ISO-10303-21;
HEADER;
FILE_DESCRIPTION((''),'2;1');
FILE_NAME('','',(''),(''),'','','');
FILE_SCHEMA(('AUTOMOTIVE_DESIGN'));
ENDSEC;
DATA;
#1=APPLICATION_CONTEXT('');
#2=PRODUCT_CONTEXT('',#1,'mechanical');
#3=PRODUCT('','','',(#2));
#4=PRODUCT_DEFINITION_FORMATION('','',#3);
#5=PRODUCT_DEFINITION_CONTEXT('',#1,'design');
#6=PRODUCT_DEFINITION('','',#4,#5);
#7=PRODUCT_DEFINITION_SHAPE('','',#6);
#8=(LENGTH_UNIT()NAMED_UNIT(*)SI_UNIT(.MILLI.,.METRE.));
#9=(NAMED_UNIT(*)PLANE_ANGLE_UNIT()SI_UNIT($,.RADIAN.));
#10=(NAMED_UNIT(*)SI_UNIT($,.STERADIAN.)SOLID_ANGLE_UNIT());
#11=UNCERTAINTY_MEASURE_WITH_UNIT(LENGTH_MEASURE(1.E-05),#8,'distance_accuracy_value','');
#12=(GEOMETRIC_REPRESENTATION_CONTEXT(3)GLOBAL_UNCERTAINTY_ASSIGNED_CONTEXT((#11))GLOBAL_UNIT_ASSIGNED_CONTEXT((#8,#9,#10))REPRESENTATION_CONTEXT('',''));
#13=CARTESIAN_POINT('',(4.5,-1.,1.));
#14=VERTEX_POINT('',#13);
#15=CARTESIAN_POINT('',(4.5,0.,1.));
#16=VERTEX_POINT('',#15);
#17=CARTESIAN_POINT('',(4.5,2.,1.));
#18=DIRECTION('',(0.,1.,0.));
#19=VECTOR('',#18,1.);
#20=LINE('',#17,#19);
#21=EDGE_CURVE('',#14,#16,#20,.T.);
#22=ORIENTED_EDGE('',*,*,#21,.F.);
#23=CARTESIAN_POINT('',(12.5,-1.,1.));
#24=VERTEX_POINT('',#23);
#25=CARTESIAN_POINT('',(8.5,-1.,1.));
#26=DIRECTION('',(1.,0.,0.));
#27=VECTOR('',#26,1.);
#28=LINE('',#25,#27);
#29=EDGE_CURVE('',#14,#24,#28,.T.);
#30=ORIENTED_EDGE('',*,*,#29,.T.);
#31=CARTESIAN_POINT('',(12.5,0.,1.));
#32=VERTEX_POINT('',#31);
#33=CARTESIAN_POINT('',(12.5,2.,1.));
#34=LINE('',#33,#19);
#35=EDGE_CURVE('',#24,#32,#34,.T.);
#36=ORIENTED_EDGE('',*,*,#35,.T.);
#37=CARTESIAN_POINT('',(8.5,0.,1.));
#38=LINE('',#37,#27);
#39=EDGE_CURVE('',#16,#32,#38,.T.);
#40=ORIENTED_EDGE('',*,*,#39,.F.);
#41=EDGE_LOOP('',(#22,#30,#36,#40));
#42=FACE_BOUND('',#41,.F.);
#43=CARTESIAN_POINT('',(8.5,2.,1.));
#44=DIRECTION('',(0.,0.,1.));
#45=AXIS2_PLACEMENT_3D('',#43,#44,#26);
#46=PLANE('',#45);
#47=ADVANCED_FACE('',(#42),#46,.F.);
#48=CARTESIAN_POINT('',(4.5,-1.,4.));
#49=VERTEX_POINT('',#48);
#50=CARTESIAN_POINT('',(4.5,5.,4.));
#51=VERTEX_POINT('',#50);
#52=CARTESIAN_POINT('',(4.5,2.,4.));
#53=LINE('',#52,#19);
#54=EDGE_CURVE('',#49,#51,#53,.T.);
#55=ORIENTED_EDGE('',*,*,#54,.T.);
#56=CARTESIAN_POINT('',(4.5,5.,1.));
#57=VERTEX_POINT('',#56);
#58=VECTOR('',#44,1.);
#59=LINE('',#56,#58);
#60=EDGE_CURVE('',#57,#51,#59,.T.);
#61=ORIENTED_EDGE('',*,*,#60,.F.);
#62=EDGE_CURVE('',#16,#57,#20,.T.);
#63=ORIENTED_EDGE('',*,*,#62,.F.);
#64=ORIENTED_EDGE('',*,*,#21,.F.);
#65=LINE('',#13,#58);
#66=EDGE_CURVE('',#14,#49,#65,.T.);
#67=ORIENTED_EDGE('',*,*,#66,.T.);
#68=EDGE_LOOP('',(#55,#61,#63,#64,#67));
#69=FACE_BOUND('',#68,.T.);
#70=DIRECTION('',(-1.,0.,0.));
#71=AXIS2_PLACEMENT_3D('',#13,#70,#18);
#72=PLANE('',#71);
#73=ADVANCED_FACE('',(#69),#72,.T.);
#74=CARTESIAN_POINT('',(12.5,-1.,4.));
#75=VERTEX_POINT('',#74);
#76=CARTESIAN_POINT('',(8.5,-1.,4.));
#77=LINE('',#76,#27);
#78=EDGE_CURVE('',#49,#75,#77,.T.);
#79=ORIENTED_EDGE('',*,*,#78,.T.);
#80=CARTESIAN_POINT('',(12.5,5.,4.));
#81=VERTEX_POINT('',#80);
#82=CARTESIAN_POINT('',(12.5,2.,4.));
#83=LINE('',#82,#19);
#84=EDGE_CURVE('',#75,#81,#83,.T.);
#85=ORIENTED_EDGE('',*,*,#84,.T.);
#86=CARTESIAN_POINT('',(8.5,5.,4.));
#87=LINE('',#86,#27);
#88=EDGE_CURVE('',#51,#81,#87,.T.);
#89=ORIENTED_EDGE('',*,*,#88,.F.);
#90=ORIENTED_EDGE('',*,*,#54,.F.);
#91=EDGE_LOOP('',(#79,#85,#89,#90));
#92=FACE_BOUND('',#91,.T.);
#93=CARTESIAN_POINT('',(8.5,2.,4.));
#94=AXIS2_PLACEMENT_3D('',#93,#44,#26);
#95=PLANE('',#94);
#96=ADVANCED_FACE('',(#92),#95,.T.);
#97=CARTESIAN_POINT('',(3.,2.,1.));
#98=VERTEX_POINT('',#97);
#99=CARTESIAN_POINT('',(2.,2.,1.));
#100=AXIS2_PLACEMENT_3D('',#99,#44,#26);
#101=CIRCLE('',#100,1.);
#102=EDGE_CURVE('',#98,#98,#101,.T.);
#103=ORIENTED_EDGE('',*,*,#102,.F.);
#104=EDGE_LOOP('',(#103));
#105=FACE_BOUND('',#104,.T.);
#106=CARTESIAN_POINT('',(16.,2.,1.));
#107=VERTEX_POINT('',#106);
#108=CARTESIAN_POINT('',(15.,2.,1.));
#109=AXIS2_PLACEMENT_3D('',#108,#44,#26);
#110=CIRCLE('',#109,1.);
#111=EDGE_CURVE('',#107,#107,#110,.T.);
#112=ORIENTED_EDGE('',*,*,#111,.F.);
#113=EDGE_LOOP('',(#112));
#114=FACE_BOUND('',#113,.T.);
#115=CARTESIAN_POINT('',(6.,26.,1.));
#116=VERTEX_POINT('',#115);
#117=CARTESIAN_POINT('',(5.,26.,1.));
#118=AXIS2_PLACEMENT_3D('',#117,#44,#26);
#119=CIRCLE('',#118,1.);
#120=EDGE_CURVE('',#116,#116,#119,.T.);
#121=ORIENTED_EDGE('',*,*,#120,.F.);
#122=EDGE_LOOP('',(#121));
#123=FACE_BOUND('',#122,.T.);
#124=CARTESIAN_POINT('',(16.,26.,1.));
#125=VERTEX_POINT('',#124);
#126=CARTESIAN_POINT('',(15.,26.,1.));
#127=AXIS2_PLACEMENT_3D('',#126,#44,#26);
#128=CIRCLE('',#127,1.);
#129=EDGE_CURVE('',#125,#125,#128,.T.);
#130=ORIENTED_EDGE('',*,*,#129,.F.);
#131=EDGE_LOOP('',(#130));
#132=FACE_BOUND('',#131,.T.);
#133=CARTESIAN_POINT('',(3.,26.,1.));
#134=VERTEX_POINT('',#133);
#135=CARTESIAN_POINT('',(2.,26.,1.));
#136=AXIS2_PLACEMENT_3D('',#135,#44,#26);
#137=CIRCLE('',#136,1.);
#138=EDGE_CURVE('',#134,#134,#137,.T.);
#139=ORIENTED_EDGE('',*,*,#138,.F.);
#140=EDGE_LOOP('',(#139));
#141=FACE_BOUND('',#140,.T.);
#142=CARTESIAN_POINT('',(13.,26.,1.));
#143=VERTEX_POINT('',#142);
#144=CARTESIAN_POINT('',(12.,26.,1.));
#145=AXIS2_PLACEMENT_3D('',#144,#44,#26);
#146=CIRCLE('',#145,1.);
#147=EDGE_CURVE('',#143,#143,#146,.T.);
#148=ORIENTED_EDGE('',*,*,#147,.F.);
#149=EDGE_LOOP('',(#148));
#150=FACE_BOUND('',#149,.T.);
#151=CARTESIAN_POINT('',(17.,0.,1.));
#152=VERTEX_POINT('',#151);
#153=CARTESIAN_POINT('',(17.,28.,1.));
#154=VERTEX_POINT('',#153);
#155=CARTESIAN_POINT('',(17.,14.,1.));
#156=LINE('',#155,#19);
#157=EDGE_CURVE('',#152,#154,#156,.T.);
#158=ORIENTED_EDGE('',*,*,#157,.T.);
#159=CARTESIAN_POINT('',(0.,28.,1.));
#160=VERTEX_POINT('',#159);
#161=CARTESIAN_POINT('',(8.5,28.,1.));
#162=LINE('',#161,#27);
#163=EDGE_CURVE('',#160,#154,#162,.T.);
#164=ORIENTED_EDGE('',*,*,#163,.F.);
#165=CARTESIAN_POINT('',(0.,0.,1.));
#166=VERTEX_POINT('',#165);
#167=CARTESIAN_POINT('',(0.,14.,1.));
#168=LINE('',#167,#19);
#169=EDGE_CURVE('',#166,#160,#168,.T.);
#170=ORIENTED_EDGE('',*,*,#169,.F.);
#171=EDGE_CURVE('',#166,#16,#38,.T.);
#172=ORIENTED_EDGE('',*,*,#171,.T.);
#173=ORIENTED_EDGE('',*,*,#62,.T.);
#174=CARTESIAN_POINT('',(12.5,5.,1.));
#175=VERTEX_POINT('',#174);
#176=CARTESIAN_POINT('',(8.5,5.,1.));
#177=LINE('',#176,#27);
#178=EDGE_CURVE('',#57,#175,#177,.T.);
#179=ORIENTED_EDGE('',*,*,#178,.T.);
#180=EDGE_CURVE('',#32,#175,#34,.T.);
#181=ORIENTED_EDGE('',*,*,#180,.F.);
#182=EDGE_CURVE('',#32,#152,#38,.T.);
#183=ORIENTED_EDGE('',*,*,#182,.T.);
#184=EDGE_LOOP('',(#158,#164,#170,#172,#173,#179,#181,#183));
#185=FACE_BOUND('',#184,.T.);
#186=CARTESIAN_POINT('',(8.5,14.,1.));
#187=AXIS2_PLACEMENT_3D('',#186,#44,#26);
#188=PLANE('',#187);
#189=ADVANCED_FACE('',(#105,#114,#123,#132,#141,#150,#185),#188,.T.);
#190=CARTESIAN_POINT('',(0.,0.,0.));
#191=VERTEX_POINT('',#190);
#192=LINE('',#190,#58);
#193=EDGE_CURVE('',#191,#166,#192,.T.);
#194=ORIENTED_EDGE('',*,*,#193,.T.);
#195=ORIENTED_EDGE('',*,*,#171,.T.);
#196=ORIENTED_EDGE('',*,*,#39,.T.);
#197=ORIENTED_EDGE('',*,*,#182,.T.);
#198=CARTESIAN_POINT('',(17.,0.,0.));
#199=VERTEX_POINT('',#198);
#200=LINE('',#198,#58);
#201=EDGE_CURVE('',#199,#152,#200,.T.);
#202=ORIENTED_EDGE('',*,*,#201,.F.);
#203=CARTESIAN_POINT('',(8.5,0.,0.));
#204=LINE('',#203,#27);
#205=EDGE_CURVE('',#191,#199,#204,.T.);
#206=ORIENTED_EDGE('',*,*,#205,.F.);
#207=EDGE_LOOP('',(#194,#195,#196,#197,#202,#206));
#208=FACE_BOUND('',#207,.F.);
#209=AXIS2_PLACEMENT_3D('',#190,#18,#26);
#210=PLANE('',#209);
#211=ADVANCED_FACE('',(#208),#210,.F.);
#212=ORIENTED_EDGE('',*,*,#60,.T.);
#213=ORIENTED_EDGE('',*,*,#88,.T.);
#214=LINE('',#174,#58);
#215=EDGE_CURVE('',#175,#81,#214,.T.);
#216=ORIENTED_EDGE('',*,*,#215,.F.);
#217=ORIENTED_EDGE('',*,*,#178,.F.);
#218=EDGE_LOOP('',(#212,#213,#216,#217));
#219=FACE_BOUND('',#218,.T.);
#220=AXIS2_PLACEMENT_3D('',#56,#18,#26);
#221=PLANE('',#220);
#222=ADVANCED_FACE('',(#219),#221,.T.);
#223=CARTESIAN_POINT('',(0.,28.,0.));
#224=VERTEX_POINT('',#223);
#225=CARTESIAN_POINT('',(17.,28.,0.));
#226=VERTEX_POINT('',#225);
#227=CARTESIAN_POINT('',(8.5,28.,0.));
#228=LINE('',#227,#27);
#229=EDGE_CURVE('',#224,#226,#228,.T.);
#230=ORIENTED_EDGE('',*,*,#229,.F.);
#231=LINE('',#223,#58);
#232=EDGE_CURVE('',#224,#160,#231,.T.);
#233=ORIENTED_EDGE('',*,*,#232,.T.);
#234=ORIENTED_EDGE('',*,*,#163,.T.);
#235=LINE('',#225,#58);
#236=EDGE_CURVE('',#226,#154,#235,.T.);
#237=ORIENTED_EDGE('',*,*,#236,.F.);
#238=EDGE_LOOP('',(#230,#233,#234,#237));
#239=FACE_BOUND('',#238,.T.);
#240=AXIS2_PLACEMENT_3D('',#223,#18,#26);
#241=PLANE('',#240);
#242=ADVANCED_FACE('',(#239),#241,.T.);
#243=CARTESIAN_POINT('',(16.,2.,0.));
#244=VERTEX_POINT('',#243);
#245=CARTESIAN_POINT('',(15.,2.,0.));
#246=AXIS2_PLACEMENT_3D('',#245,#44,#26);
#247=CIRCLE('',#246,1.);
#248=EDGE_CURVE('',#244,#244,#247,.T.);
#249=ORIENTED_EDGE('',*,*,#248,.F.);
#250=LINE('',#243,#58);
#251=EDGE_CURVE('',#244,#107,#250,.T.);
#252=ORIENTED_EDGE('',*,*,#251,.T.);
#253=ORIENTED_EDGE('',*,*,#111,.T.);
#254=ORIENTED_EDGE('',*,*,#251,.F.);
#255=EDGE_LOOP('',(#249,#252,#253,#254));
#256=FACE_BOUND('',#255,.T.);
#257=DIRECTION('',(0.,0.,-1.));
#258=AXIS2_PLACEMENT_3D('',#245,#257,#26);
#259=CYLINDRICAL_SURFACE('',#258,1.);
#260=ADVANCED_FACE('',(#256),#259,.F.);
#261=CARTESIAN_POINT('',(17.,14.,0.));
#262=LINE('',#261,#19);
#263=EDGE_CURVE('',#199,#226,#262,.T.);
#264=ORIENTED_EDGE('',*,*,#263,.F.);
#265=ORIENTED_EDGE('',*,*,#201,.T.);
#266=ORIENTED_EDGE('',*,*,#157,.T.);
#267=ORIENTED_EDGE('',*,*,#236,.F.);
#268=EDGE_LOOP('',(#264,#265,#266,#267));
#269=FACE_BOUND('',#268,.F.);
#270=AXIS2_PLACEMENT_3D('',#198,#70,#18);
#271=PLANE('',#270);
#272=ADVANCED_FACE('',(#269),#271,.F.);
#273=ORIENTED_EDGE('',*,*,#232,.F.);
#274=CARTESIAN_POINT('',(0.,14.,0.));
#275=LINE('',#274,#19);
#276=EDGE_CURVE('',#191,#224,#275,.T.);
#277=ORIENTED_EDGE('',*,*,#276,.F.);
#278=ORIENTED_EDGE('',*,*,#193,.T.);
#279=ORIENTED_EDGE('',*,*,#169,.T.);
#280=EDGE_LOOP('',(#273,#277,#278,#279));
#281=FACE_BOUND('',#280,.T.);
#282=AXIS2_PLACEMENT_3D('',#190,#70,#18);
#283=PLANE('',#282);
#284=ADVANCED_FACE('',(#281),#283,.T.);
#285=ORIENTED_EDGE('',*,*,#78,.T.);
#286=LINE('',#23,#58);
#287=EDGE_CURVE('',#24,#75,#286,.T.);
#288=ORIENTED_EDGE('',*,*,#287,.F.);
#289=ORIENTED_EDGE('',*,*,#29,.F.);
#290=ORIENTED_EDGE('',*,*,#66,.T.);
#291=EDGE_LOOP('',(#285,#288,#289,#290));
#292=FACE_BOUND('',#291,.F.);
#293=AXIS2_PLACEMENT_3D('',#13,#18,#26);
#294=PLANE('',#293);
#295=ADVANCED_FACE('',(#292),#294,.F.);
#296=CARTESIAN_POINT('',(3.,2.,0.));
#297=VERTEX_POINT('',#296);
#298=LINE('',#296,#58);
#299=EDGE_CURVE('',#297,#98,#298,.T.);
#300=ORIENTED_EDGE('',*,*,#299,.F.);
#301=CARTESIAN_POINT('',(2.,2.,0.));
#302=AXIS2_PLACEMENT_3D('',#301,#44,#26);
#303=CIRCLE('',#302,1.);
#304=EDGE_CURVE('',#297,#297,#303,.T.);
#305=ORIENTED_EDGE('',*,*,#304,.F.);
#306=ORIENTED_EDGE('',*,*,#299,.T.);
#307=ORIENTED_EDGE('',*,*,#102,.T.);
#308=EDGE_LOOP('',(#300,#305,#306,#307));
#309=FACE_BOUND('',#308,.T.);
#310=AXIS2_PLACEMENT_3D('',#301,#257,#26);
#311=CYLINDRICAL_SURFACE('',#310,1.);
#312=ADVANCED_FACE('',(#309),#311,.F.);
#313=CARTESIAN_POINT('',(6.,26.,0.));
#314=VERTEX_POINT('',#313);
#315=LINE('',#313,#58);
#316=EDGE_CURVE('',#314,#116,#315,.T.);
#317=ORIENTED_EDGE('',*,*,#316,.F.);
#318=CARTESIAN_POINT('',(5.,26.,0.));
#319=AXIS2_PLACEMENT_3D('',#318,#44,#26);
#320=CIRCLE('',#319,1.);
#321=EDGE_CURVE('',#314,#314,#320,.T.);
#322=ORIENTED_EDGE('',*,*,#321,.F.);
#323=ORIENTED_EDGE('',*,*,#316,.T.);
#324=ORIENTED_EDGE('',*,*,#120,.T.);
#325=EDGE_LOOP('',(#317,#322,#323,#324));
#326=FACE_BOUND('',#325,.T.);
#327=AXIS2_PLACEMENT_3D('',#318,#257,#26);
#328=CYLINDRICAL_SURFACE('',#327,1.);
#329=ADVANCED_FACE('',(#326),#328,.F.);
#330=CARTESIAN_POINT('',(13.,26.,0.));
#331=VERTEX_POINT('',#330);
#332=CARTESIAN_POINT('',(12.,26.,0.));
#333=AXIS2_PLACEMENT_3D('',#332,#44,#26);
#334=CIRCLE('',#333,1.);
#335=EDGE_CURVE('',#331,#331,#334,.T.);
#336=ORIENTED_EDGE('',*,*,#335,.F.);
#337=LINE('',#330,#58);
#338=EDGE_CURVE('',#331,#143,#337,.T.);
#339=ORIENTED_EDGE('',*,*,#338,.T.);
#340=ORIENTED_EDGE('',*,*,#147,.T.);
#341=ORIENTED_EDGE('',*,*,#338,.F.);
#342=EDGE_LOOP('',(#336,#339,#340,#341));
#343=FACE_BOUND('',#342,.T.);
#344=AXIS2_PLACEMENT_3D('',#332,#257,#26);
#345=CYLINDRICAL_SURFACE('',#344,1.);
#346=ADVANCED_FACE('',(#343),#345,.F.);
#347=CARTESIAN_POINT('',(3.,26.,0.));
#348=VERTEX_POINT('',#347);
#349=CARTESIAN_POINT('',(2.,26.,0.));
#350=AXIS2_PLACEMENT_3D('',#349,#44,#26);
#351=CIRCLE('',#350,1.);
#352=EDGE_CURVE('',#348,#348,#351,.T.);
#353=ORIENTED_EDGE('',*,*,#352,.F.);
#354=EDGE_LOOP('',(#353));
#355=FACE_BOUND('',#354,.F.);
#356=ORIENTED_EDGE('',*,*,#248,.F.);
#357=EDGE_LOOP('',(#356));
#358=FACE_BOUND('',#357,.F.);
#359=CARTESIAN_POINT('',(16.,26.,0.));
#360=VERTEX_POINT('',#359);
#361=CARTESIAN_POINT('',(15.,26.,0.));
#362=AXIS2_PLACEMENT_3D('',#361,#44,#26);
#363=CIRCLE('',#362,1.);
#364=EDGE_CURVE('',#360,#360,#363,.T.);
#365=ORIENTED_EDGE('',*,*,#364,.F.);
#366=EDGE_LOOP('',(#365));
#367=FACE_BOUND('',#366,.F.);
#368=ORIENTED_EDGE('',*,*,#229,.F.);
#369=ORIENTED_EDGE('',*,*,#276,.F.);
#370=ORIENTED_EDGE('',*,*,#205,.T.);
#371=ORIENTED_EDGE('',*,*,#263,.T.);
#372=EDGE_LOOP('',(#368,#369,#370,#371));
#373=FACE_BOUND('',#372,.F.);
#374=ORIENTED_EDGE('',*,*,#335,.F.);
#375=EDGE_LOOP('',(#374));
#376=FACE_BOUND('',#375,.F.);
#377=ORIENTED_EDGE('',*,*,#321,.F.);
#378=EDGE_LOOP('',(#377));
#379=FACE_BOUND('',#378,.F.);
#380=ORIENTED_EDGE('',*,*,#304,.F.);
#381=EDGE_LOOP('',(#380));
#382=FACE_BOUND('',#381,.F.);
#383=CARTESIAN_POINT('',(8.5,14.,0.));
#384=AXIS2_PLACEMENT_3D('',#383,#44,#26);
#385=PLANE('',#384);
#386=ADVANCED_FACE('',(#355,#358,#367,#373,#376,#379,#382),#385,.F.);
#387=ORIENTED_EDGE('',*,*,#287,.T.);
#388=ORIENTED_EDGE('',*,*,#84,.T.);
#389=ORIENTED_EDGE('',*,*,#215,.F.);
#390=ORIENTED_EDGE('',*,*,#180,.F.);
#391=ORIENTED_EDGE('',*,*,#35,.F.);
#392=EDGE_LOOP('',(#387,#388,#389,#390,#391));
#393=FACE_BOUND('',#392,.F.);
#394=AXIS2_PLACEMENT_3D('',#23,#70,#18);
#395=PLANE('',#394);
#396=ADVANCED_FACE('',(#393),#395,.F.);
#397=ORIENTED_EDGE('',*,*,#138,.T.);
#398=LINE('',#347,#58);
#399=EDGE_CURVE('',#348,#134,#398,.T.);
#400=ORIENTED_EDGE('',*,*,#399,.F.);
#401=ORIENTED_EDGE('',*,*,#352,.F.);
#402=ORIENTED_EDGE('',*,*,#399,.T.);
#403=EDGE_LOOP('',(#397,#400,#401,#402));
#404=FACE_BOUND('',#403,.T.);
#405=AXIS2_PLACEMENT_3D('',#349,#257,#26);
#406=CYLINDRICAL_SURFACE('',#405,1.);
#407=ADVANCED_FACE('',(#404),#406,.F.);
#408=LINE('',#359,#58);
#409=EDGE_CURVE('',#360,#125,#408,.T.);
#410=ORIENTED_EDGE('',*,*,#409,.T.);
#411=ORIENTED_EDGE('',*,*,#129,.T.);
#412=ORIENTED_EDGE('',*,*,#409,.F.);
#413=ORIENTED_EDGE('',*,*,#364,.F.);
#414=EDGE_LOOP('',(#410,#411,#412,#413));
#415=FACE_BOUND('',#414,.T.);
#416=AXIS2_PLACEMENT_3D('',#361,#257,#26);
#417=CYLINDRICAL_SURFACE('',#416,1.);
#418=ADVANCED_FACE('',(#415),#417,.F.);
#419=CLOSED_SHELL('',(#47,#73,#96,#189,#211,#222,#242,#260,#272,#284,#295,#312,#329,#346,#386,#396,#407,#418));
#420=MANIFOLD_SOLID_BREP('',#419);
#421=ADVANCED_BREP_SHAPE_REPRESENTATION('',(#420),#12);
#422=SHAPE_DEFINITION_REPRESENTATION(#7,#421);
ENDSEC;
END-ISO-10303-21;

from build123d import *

# Parameters (mm, degrees)
F0_W     = 17
F0_H     = 28
F0_R     = 1
F1_DEPTH = 1
F2_W     = 8
F2_H     = 6
F3_DEPTH = 3


with BuildPart() as f1:
    # F0 (on Top) → F1 (new body)
    with BuildSketch(Plane.XY):
        with Locations((8.5, 14)):
            Rectangle(F0_W, F0_H)
        with Locations((2, 2)):
            Circle(F0_R, mode=Mode.SUBTRACT)
        with Locations((15, 2)):
            Circle(F0_R, mode=Mode.SUBTRACT)
        with Locations((2, 26)):
            Circle(F0_R, mode=Mode.SUBTRACT)
        with Locations((5, 26)):
            Circle(F0_R, mode=Mode.SUBTRACT)
        with Locations((12, 26)):
            Circle(F0_R, mode=Mode.SUBTRACT)
        with Locations((15, 26)):
            Circle(F0_R, mode=Mode.SUBTRACT)
    extrude(amount=F1_DEPTH)

    # F2 (on face) → F3 (join)
    with BuildSketch(Plane.XY.offset(1)):
        with Locations((8.5, 2)):
            Rectangle(F2_W, F2_H)
    extrude(amount=F3_DEPTH)


solid = f1.part
